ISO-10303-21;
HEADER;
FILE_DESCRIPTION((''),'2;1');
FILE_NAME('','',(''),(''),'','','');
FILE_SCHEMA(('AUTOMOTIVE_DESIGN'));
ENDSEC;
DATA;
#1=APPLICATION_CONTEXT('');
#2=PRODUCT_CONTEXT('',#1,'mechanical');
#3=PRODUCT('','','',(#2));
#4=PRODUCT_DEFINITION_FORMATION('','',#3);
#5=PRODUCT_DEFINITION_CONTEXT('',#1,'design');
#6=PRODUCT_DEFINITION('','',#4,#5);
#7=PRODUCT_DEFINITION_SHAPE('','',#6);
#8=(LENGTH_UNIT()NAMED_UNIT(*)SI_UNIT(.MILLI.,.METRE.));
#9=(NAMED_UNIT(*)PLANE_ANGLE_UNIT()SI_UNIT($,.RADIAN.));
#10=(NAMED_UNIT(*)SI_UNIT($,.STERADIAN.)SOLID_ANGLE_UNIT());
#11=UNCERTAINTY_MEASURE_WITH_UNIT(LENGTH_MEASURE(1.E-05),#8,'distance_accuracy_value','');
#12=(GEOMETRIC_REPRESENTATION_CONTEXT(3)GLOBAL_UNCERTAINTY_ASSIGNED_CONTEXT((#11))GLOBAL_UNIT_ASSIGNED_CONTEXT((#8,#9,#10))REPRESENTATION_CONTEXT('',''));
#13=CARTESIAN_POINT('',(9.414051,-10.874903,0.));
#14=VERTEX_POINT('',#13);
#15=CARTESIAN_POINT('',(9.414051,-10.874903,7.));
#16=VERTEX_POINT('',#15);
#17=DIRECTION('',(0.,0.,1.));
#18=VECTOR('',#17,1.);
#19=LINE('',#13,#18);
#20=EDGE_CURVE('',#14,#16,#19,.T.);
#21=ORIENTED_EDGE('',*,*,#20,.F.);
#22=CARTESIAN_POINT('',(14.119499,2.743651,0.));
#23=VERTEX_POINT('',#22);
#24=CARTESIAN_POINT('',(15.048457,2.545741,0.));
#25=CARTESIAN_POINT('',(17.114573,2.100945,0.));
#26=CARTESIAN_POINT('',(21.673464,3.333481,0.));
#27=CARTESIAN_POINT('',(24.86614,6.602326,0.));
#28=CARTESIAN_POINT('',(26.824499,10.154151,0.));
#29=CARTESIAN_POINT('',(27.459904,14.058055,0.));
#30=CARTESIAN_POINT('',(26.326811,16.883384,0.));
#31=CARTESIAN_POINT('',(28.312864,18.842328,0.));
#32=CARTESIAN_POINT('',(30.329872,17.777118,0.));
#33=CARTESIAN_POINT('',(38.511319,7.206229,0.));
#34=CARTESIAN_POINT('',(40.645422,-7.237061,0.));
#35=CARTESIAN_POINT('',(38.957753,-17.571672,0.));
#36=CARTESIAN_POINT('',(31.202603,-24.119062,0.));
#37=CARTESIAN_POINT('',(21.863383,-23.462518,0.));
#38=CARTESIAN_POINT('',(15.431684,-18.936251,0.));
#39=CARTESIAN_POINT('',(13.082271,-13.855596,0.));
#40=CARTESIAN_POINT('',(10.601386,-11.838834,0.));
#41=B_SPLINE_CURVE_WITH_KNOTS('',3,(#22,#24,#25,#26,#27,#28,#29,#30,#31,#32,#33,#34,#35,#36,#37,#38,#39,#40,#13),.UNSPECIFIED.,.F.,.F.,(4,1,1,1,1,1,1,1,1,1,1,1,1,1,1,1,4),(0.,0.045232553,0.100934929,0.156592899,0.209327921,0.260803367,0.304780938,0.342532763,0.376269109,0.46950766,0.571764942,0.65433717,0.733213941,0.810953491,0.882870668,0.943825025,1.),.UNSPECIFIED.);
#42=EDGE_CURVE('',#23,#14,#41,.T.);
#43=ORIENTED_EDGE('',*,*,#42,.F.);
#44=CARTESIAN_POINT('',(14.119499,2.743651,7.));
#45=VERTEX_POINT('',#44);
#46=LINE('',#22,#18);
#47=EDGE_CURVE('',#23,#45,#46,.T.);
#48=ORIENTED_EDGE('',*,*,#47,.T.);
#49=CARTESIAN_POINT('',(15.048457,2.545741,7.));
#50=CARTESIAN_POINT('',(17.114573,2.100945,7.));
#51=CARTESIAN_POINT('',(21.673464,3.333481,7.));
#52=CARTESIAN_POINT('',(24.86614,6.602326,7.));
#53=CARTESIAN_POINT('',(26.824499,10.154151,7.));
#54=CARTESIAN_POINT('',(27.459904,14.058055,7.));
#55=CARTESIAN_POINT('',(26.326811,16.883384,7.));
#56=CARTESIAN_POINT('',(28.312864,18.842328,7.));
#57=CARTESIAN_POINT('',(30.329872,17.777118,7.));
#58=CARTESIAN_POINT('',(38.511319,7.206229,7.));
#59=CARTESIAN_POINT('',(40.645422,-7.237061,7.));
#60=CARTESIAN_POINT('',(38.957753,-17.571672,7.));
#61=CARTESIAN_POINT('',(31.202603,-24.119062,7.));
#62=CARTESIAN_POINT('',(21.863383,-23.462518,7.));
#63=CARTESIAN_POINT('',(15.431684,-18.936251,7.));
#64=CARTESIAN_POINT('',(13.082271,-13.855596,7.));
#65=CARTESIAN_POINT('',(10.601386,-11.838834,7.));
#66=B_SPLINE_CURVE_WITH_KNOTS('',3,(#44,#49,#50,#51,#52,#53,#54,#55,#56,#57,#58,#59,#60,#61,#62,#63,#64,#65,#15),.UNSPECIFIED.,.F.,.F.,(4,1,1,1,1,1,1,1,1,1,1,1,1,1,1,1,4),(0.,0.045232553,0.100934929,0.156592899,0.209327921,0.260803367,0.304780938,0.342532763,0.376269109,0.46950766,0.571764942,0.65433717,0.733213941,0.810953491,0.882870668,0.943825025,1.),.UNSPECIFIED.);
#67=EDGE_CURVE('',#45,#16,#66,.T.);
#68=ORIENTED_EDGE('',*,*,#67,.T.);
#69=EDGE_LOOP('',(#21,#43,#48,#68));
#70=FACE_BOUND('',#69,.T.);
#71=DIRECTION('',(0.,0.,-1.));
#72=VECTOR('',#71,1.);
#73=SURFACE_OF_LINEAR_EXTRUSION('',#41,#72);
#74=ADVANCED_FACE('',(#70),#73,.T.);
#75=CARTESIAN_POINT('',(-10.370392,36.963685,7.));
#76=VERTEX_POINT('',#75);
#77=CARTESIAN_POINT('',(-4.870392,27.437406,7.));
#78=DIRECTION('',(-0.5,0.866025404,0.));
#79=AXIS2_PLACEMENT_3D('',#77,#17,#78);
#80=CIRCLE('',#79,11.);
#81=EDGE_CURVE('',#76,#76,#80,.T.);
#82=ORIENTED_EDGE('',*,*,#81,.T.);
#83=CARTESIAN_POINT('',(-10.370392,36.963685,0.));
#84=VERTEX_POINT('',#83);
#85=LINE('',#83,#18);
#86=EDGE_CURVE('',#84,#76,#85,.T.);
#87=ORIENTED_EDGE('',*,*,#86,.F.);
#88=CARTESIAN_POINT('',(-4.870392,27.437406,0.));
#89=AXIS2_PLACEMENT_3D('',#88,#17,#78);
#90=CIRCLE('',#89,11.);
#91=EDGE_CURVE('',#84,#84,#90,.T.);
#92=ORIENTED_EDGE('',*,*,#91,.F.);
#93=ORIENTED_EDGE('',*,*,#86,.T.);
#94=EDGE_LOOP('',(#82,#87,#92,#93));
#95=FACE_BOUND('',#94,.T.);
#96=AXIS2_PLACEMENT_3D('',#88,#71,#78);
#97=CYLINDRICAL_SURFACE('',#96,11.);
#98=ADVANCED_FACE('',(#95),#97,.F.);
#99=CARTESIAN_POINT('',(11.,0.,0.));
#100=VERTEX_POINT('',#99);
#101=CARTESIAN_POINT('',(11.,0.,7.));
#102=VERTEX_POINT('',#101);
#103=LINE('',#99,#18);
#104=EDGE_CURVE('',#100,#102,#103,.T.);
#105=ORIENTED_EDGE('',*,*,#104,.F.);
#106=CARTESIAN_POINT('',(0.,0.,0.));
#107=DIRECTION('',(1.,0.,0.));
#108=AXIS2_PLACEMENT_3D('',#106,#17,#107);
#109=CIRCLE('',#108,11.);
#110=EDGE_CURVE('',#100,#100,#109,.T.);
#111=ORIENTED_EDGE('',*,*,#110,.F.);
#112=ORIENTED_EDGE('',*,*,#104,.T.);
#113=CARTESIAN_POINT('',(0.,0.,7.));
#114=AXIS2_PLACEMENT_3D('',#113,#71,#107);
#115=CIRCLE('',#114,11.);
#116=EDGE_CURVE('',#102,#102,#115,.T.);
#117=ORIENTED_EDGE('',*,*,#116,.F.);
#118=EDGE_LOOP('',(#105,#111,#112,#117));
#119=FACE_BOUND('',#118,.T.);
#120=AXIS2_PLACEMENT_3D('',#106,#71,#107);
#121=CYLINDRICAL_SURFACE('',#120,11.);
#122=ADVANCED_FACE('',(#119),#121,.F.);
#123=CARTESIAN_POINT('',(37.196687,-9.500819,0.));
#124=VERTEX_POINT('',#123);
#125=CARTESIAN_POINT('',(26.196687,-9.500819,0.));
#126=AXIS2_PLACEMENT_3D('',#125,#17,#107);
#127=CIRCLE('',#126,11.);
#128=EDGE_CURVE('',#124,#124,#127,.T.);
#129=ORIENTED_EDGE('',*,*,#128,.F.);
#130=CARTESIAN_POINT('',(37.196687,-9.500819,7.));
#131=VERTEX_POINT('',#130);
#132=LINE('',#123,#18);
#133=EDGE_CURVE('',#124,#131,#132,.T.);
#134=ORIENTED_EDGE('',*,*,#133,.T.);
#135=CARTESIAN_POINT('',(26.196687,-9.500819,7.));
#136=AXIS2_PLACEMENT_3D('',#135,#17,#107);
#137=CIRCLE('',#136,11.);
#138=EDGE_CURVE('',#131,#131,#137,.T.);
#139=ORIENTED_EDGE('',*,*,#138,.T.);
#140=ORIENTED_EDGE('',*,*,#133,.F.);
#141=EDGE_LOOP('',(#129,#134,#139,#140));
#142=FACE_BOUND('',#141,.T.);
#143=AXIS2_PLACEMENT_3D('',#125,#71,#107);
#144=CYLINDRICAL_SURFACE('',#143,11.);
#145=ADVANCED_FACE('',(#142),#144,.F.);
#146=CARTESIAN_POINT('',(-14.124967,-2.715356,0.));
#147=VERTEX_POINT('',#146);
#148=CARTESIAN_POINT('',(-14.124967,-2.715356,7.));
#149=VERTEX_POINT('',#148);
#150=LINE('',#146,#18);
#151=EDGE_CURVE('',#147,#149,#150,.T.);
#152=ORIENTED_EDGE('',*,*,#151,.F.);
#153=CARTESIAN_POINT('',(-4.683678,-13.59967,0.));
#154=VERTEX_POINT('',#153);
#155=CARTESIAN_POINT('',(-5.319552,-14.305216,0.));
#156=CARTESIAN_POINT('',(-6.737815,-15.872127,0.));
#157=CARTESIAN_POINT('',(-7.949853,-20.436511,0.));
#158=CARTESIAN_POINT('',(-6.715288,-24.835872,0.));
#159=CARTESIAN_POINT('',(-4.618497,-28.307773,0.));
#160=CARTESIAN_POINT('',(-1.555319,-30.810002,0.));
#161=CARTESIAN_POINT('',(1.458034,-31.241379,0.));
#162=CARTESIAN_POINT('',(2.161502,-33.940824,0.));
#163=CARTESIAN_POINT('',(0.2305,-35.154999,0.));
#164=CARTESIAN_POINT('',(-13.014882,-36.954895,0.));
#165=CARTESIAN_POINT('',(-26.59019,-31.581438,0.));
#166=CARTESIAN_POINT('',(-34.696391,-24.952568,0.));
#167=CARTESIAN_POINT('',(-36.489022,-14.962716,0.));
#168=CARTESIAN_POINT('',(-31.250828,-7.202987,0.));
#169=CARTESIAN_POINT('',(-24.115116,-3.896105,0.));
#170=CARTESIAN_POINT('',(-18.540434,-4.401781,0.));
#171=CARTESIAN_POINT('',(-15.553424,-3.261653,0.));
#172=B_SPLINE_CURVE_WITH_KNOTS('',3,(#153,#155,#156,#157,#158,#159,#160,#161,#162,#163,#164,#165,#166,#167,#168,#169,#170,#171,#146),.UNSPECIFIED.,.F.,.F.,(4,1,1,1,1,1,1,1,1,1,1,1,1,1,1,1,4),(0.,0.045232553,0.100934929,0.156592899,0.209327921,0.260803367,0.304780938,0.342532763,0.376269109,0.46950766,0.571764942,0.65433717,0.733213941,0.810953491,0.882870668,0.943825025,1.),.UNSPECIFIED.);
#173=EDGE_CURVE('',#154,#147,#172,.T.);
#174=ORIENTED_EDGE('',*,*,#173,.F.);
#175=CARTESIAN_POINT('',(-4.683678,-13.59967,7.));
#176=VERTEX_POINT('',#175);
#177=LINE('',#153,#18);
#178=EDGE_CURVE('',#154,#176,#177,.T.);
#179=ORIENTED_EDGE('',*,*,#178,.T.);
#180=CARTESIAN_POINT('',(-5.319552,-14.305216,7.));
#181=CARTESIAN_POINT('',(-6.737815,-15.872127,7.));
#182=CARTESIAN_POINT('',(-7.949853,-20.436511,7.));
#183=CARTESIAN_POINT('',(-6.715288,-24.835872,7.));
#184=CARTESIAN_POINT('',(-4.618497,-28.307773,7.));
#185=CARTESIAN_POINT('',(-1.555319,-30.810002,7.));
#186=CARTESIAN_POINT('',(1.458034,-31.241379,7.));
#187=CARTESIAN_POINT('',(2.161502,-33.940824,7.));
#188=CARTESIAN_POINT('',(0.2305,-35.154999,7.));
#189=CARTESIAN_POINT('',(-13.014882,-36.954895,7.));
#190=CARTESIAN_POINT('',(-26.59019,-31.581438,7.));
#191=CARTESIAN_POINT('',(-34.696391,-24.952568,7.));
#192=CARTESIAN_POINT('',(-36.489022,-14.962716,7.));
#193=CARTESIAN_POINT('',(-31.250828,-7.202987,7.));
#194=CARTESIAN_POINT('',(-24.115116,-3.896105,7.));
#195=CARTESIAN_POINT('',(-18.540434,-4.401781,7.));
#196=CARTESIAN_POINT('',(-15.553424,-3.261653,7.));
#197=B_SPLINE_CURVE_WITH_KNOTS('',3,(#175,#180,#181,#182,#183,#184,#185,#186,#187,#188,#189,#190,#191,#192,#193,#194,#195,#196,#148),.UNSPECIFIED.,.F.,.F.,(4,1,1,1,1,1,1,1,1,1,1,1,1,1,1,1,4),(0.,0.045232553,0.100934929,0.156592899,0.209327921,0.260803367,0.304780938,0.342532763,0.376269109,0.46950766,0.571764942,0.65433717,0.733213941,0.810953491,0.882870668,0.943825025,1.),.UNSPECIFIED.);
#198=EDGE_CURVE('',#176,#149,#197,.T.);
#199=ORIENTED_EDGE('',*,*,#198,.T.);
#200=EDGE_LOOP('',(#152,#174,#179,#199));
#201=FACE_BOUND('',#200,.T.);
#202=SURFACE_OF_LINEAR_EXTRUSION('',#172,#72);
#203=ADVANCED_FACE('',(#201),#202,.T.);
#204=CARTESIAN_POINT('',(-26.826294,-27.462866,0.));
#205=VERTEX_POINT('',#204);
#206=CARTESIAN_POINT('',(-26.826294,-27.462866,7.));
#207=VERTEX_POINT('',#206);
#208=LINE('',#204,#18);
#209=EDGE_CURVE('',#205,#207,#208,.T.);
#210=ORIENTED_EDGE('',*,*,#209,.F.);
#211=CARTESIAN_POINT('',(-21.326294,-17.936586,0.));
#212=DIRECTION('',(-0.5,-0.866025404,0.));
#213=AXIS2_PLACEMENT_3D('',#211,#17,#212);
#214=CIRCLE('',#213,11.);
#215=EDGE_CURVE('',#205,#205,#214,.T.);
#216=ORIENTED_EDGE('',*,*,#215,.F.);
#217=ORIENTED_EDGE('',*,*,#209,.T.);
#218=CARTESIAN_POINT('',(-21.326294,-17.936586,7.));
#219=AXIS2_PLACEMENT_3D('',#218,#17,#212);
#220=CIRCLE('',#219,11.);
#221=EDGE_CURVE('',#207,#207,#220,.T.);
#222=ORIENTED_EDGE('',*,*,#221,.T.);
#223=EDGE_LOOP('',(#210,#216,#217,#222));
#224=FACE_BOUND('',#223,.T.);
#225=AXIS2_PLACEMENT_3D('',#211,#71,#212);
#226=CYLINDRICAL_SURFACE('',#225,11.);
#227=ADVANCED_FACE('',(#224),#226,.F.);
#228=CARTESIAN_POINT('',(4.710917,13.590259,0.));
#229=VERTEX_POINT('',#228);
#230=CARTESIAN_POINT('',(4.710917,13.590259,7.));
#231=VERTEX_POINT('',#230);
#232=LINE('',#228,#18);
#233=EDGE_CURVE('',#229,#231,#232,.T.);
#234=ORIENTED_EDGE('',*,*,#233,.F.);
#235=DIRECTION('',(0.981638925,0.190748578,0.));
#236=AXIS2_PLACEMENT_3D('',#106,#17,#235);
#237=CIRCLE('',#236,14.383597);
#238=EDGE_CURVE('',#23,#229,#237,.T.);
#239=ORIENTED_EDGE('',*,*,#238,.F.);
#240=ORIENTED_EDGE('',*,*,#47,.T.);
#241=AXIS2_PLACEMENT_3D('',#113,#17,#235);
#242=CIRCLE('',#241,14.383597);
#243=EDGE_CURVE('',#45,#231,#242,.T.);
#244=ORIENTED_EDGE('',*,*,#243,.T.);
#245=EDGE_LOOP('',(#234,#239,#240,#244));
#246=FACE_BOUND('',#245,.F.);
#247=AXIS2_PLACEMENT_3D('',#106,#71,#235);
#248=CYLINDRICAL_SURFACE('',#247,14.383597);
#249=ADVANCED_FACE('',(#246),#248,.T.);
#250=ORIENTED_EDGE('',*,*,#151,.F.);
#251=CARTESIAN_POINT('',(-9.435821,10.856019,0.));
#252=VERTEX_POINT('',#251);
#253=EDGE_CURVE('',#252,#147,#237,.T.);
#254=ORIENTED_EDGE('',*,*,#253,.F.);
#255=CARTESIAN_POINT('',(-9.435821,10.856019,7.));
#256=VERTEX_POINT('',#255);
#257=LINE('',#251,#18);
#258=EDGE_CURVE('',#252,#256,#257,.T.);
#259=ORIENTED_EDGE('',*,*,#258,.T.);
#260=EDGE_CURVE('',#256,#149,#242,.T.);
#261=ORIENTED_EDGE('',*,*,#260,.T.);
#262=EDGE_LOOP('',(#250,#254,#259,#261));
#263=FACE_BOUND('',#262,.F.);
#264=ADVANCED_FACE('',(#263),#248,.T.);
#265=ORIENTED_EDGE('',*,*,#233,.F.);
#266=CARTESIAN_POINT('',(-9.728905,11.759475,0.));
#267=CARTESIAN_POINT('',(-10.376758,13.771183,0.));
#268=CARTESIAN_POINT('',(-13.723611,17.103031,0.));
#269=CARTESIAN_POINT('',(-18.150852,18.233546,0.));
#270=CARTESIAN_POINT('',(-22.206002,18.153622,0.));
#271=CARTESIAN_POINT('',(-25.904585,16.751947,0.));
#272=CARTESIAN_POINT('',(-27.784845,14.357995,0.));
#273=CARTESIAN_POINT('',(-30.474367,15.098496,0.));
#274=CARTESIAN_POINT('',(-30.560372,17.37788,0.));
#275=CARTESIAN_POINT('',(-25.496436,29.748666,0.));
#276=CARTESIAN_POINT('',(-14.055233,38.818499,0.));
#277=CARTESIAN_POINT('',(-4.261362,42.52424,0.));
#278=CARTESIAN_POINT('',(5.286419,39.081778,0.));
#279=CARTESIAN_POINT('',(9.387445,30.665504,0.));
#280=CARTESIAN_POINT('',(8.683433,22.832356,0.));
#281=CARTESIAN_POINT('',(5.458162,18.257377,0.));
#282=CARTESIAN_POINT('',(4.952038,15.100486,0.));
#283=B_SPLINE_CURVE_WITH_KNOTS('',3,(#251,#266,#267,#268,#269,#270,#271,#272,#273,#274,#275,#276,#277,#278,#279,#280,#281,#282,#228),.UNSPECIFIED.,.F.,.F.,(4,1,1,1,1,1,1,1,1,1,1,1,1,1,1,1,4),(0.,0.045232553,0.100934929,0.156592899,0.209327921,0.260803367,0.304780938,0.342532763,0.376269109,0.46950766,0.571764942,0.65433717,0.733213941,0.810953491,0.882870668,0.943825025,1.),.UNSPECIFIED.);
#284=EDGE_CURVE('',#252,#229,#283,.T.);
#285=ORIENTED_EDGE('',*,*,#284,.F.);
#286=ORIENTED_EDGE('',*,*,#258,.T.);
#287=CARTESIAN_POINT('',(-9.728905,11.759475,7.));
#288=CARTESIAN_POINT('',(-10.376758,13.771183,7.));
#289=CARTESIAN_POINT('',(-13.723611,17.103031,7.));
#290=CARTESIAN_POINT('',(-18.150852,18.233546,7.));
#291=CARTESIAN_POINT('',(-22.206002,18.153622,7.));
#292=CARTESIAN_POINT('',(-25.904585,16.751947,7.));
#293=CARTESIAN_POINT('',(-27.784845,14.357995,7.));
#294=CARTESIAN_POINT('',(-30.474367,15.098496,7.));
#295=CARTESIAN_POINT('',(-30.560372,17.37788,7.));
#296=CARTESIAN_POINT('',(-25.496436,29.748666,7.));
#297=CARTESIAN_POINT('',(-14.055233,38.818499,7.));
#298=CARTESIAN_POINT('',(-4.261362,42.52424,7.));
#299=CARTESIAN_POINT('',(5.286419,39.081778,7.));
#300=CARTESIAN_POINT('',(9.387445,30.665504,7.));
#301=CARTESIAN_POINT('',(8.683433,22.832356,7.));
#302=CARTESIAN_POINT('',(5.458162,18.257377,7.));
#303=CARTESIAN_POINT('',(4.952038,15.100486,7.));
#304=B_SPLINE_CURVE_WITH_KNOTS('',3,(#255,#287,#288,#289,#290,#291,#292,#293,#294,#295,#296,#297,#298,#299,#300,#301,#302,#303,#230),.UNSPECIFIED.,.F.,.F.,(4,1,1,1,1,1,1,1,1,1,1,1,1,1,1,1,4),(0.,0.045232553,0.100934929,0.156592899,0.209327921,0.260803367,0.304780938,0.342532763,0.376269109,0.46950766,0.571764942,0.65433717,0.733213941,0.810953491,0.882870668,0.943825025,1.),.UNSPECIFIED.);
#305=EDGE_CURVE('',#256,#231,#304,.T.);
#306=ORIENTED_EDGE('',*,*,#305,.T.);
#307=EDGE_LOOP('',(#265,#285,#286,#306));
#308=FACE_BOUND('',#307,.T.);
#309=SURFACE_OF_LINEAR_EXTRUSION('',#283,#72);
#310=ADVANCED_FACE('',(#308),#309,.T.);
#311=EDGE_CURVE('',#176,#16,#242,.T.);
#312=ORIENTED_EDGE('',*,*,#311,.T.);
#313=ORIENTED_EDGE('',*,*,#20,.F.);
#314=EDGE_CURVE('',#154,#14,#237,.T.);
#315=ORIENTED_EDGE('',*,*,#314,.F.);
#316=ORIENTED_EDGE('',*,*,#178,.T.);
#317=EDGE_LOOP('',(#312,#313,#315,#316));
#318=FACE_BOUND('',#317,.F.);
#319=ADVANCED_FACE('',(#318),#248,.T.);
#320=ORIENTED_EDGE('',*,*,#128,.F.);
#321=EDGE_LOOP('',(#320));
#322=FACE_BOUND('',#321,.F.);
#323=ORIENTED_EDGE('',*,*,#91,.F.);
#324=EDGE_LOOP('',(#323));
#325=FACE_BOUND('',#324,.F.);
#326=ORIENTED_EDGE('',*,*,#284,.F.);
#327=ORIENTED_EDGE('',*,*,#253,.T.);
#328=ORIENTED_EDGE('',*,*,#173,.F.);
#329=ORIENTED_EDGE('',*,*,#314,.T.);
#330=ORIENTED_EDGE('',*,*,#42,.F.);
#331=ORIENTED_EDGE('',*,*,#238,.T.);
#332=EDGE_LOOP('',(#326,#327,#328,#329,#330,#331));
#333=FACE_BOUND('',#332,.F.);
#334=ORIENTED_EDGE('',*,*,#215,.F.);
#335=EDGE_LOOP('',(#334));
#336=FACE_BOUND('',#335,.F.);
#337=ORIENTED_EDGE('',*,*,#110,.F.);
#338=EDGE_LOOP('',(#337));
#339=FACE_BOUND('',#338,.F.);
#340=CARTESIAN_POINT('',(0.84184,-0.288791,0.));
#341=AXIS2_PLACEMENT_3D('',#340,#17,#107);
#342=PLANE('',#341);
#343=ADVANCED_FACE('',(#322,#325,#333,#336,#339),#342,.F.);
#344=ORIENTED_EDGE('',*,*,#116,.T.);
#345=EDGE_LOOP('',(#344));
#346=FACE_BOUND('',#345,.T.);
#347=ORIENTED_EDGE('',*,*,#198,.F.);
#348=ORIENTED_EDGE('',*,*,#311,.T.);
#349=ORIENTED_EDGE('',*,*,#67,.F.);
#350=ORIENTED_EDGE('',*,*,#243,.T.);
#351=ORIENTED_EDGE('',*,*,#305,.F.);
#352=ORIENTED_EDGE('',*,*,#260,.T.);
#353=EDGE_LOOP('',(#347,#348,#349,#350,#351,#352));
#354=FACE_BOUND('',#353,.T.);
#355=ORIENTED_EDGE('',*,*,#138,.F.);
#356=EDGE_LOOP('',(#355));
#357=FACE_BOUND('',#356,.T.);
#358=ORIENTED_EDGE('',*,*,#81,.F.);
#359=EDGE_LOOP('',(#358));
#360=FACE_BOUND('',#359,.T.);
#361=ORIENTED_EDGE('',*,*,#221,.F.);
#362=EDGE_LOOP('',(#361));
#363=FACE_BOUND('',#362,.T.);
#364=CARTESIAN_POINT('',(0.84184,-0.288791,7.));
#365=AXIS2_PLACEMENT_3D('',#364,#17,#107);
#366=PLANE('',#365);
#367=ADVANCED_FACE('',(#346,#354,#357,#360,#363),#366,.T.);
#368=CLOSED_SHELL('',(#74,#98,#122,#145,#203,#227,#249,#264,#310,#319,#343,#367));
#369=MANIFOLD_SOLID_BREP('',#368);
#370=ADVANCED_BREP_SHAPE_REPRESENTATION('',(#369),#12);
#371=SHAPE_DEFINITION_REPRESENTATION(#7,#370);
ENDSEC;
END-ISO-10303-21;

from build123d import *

# Parameters (mm, degrees)
F0_R     = 11
F1_DEPTH = 7
F2_COUNT = 3


with BuildPart() as f1:
    # F0 (on Top) → F1 (new body)
    with BuildSketch(Plane.XY):
        with BuildLine():
            ThreePointArc((9.4140508604, -10.8749026982), (13.0823502456, -5.9782919259), (14.3835969875, 0))
            ThreePointArc((14.3835969875, 0), (14.3174201784, 1.3781660758), (14.1194986908, 2.7436506738))
            ThreePointArc((14.1194986908, 2.7436506738), (-13.594971041, 4.6972997235), (9.4140508604, -10.8749026982))
        make_face()
        Circle(F0_R, mode=Mode.SUBTRACT)
        with BuildLine():
            ThreePointArc((14.1194986908, 2.7436506738), (14.3174201784, 1.3781660758), (14.3835969875, 0))
            ThreePointArc((14.3835969875, 0), (13.0823502456, -5.9782919259), (9.4140508604, -10.8749026982))
            add(Edge.make_bspline(
                [(14.1194986908, 2.7436506738), (15.0484566992, 2.5457409858), (17.114573098, 2.1009446406), (21.6734644854, 3.3334805226), (24.8661399681, 6.6023260632), (26.8244992271, 10.1541511096), (27.4599044336, 14.0580551407), (26.3268108082, 16.8833843476), (28.3128644981, 18.8423275341), (30.3298716366, 17.7771183516), (38.5113185361, 7.2062287012), (40.6454224781, -7.2370610169), (38.9577533171, -17.5716720794), (31.2026029382, -24.1190616788), (21.8633834336, -23.4625176495), (15.431683765, -18.9362512131), (13.0822714541, -13.8555959558), (10.6013857244, -11.8388336854), (9.4140508604, -10.8749026982)],
                knots=[0, 0, 0, 0, 0.0452325529, 0.1009349294, 0.1565928987, 0.209327921, 0.2608033673, 0.304780938, 0.3425327627, 0.3762691085, 0.46950766, 0.5717649415, 0.6543371701, 0.7332139413, 0.810953491, 0.882870668, 0.9438250252, 1, 1, 1, 1], degree=3))
        make_face()
        with Locations((26.196686551, -9.5008192584)):
            Circle(F0_R, mode=Mode.SUBTRACT)
    extrude(amount=F1_DEPTH)

    # F2: F1 ×3 about axis
    f2_axis = Axis((0, 0, 0), (0, 0, 1))


with BuildPart() as f1_1:
    add(f1.part)
    for i in range(1, F2_COUNT):
        add(f1.part.rotate(f2_axis, i * 360 / F2_COUNT))


solid = f1_1.part
